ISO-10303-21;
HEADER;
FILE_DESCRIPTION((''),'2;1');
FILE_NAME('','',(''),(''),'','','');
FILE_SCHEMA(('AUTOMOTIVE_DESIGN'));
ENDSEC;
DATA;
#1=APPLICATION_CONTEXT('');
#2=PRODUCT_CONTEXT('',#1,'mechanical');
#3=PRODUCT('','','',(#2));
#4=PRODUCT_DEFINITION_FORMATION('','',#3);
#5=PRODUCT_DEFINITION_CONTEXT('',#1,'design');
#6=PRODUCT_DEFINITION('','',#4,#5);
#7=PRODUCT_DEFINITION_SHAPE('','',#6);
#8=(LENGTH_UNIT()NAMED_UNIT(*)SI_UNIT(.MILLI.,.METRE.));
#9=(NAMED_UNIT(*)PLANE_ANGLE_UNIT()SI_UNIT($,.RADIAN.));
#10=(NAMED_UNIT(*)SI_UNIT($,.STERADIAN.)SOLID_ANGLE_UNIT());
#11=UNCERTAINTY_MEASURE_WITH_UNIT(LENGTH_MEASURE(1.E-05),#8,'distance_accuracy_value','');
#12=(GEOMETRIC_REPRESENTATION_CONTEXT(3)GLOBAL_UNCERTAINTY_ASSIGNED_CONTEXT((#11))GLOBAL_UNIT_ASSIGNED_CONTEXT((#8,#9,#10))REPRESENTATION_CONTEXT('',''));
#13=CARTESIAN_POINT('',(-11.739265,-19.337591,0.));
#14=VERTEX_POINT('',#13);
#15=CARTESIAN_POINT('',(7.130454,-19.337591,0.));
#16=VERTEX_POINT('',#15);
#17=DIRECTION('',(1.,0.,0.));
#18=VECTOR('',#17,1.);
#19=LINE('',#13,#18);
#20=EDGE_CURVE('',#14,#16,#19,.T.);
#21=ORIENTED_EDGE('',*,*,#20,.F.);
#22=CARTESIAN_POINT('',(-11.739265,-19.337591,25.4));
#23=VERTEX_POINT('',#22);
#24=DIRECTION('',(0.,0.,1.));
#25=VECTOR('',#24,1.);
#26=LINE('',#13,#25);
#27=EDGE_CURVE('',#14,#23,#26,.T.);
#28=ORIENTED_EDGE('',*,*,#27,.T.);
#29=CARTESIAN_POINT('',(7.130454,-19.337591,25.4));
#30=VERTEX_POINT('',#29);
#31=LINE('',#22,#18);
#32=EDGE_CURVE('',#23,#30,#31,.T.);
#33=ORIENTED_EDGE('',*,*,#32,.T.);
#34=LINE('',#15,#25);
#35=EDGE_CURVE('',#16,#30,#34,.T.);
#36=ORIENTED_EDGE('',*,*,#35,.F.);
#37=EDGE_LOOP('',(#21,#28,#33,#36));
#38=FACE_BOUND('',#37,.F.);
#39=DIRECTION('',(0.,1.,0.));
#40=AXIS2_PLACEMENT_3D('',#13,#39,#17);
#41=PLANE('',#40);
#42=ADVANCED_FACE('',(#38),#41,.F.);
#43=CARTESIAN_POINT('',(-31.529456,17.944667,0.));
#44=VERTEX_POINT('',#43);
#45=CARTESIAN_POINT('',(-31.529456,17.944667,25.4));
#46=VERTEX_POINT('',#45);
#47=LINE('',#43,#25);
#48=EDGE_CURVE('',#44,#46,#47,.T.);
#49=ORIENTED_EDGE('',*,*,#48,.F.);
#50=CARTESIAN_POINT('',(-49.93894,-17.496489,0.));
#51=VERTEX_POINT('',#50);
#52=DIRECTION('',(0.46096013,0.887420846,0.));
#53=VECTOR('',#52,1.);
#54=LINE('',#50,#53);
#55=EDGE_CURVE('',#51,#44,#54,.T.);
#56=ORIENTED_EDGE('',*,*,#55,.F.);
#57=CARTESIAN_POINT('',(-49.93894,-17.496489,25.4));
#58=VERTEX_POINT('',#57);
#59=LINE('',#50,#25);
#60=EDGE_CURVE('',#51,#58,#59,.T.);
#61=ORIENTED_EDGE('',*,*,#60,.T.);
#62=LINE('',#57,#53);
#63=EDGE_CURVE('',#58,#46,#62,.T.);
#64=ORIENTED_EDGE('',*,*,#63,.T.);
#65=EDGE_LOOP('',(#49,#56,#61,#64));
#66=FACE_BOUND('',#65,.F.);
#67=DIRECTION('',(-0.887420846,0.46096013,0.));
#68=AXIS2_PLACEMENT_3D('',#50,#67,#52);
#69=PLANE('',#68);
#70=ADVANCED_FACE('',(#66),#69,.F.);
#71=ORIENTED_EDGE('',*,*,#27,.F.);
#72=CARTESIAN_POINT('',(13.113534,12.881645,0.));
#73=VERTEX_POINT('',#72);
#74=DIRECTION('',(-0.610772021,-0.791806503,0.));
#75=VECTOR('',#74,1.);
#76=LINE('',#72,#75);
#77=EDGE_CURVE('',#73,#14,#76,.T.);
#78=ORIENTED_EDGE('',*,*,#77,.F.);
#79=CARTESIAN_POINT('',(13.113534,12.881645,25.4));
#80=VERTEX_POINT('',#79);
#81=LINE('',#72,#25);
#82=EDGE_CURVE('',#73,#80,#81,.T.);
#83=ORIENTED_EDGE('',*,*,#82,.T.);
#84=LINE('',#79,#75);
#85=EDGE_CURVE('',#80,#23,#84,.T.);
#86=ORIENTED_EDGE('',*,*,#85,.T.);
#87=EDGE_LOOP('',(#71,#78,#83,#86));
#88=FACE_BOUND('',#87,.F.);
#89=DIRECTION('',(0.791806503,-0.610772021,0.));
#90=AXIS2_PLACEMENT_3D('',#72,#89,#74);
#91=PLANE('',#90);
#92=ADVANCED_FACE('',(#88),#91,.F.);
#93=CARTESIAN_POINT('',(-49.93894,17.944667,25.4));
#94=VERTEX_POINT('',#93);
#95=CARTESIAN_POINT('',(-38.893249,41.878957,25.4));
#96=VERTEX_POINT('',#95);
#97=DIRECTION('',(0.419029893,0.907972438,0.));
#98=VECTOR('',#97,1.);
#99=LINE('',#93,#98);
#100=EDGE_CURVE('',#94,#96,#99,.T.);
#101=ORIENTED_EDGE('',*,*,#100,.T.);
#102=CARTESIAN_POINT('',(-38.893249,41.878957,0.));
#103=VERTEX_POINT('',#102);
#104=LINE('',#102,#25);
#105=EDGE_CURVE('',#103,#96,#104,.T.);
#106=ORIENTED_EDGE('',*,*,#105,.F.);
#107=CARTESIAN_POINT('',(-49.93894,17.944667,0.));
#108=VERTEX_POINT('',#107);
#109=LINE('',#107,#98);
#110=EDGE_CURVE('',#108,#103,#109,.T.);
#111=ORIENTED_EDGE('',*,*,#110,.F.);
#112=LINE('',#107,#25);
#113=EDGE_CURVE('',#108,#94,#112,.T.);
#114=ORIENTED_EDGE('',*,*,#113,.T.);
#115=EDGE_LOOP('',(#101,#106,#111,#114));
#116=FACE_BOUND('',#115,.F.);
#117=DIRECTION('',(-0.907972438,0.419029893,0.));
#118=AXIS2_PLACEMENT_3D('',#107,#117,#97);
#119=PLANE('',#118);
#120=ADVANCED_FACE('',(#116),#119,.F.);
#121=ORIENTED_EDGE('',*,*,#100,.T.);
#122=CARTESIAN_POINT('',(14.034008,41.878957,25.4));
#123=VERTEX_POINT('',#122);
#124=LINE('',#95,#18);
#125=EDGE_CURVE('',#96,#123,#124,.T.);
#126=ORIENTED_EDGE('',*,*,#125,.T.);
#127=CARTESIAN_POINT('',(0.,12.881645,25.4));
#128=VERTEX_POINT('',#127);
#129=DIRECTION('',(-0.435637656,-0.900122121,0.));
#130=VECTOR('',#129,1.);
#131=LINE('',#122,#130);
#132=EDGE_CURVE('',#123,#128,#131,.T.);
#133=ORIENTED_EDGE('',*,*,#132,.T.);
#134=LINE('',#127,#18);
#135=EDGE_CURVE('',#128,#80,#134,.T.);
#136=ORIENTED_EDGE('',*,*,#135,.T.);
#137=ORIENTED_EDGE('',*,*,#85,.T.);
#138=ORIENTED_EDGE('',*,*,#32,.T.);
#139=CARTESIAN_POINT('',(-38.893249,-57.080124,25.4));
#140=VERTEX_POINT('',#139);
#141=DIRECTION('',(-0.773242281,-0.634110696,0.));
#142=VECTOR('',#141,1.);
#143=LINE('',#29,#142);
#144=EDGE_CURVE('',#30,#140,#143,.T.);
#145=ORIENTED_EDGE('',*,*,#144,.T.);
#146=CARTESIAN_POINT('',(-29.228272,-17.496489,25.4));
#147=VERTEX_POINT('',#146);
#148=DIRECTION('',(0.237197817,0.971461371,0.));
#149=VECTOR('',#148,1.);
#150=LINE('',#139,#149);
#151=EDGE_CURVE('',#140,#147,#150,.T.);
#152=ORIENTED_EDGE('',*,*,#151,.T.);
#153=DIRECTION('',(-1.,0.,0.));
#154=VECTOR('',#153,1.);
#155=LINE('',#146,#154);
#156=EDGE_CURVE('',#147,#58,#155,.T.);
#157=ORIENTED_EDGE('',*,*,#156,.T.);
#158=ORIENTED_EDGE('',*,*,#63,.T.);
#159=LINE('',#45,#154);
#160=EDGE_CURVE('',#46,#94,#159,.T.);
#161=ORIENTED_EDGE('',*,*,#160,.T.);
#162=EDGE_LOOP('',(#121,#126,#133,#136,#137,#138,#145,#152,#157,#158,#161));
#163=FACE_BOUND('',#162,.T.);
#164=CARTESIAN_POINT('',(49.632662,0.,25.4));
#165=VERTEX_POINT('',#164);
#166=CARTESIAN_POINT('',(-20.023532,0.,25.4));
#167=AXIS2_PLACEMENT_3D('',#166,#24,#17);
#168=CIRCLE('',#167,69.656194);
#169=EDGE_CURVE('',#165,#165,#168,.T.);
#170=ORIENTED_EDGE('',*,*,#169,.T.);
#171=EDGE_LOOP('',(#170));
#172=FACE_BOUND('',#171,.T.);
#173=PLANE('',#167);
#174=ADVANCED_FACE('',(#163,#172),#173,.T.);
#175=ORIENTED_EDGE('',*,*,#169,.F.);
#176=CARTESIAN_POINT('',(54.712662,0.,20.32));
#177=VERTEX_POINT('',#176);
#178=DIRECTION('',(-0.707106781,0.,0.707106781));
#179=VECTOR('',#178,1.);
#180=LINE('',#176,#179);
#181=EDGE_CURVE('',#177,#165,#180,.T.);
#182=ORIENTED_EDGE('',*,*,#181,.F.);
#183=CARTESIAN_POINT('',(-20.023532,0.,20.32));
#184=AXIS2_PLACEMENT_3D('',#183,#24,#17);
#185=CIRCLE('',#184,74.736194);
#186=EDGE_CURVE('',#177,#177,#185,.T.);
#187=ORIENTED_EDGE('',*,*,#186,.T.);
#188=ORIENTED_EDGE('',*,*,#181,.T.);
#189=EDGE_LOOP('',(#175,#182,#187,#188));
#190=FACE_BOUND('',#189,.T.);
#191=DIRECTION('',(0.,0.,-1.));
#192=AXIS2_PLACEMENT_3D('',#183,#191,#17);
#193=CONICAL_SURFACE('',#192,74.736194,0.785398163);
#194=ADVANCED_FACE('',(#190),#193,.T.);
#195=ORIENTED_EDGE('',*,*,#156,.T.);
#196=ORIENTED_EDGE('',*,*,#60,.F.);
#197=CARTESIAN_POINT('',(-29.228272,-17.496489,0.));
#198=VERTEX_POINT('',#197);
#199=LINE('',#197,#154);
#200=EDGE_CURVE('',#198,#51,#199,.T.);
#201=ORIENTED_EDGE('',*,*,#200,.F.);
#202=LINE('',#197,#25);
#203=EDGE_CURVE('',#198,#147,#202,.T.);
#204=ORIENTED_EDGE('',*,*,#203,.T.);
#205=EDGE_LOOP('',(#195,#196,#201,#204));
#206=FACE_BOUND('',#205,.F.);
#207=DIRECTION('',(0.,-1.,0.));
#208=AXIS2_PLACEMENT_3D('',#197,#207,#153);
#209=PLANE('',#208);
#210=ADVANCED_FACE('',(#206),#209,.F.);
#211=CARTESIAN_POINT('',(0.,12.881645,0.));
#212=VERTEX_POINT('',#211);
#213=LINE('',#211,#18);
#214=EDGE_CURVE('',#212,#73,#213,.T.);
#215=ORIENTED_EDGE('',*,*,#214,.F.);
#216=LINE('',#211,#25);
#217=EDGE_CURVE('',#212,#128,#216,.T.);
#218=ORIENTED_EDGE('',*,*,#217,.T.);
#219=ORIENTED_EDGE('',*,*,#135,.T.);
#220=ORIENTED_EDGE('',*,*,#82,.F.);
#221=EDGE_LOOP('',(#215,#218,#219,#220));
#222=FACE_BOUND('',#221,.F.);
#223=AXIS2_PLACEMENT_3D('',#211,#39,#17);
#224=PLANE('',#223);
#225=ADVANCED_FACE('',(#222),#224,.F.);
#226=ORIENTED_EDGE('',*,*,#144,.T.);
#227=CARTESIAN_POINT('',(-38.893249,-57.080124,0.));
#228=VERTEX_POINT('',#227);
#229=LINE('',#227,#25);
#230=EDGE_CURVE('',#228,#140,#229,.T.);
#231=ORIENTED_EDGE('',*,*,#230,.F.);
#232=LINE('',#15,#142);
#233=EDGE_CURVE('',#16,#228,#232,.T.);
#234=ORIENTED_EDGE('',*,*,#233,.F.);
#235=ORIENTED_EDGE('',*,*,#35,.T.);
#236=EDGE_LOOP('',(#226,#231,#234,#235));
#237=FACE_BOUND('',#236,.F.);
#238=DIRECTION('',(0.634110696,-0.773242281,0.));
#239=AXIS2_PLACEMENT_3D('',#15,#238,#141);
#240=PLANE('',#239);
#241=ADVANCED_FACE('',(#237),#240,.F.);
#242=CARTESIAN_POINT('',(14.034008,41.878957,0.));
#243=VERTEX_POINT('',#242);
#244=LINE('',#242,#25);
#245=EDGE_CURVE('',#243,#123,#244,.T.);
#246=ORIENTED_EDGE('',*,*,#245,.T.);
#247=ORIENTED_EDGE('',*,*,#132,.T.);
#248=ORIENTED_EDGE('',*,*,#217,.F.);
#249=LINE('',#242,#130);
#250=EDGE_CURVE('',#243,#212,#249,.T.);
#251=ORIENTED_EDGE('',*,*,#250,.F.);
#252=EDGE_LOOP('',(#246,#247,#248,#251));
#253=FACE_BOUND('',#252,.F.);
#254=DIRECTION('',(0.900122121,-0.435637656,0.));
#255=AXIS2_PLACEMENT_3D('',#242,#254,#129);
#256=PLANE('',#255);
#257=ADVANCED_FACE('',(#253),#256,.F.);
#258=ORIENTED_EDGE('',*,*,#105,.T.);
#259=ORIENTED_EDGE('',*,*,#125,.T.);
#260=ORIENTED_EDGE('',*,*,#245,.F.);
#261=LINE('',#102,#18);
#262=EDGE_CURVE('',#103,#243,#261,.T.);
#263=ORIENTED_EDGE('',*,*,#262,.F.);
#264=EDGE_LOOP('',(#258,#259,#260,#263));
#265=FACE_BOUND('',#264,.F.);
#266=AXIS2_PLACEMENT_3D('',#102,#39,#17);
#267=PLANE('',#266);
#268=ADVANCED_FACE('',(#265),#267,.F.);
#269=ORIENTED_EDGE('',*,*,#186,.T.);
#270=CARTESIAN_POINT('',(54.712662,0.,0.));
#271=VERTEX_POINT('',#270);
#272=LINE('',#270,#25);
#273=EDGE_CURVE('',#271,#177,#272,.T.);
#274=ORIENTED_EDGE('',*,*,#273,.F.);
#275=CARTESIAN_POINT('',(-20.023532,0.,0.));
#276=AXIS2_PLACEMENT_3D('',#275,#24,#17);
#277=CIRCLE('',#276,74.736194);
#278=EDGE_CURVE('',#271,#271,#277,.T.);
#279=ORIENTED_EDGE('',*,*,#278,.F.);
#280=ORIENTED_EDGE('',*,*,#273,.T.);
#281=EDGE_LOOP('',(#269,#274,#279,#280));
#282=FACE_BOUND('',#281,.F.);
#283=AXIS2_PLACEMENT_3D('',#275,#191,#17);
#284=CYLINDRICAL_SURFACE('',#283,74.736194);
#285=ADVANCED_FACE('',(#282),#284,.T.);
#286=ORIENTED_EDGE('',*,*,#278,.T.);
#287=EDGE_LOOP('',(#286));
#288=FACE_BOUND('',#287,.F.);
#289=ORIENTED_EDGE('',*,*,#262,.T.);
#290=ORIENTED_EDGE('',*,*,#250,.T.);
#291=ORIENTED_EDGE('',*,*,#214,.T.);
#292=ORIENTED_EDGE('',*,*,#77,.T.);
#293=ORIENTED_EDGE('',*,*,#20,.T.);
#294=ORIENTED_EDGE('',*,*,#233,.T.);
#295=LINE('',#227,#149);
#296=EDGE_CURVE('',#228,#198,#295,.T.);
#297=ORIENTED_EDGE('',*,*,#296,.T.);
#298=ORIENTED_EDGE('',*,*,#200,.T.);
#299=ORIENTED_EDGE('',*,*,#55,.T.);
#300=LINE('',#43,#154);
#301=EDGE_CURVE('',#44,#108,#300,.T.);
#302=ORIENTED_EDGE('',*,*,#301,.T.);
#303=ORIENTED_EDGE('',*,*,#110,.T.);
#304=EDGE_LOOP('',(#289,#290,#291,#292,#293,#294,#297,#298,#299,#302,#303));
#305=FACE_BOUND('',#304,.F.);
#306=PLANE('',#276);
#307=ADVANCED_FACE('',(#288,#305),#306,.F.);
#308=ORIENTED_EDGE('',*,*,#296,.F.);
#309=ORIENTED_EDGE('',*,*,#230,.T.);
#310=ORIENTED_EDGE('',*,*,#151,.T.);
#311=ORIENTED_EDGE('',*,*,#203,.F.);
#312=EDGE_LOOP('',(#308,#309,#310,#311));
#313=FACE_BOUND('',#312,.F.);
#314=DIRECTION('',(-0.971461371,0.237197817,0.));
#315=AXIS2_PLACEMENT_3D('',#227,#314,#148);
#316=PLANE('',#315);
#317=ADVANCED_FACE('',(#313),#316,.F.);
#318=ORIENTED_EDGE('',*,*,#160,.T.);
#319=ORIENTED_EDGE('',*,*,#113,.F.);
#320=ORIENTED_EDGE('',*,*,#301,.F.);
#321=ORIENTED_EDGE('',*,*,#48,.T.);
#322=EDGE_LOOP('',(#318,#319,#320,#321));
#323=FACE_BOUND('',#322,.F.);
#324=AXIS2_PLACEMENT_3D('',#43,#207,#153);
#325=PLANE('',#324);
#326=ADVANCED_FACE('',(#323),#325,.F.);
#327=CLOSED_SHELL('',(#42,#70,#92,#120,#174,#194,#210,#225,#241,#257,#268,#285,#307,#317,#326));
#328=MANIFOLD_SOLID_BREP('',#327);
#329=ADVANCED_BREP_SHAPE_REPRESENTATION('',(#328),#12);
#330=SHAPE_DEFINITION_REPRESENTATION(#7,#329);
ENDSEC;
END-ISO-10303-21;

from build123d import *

# Parameters (mm, degrees)
F0_R     = 74.736194
F1_DEPTH = 25.4
F2_SIZE  = 5.08


with BuildPart() as f1:
    # F0 (on Top) → F1 (new body)
    with BuildSketch(Plane.XY):
        with Locations((-20.023532, 0)):
            Circle(F0_R)
        Polygon((-49.93894, 17.944667), (-38.893249, 41.878957), (14.034008, 41.878957), (0, 12.881645), (13.113534, 12.881645), (-11.739265, -19.337591), (7.130454, -19.337591), (-38.893249, -57.080124), (-29.228272, -17.496489), (-49.93894, -17.496489), (-31.529456, 17.944667), align=None, mode=Mode.SUBTRACT)
    extrude(amount=F1_DEPTH)

    # F2
    f2_edges = [f1.edges().sort_by_distance(p)[0] for p in [
        (-94.759726, 0, 25.4),
    ]]
    chamfer(f2_edges, length=F2_SIZE)


solid = f1.part
